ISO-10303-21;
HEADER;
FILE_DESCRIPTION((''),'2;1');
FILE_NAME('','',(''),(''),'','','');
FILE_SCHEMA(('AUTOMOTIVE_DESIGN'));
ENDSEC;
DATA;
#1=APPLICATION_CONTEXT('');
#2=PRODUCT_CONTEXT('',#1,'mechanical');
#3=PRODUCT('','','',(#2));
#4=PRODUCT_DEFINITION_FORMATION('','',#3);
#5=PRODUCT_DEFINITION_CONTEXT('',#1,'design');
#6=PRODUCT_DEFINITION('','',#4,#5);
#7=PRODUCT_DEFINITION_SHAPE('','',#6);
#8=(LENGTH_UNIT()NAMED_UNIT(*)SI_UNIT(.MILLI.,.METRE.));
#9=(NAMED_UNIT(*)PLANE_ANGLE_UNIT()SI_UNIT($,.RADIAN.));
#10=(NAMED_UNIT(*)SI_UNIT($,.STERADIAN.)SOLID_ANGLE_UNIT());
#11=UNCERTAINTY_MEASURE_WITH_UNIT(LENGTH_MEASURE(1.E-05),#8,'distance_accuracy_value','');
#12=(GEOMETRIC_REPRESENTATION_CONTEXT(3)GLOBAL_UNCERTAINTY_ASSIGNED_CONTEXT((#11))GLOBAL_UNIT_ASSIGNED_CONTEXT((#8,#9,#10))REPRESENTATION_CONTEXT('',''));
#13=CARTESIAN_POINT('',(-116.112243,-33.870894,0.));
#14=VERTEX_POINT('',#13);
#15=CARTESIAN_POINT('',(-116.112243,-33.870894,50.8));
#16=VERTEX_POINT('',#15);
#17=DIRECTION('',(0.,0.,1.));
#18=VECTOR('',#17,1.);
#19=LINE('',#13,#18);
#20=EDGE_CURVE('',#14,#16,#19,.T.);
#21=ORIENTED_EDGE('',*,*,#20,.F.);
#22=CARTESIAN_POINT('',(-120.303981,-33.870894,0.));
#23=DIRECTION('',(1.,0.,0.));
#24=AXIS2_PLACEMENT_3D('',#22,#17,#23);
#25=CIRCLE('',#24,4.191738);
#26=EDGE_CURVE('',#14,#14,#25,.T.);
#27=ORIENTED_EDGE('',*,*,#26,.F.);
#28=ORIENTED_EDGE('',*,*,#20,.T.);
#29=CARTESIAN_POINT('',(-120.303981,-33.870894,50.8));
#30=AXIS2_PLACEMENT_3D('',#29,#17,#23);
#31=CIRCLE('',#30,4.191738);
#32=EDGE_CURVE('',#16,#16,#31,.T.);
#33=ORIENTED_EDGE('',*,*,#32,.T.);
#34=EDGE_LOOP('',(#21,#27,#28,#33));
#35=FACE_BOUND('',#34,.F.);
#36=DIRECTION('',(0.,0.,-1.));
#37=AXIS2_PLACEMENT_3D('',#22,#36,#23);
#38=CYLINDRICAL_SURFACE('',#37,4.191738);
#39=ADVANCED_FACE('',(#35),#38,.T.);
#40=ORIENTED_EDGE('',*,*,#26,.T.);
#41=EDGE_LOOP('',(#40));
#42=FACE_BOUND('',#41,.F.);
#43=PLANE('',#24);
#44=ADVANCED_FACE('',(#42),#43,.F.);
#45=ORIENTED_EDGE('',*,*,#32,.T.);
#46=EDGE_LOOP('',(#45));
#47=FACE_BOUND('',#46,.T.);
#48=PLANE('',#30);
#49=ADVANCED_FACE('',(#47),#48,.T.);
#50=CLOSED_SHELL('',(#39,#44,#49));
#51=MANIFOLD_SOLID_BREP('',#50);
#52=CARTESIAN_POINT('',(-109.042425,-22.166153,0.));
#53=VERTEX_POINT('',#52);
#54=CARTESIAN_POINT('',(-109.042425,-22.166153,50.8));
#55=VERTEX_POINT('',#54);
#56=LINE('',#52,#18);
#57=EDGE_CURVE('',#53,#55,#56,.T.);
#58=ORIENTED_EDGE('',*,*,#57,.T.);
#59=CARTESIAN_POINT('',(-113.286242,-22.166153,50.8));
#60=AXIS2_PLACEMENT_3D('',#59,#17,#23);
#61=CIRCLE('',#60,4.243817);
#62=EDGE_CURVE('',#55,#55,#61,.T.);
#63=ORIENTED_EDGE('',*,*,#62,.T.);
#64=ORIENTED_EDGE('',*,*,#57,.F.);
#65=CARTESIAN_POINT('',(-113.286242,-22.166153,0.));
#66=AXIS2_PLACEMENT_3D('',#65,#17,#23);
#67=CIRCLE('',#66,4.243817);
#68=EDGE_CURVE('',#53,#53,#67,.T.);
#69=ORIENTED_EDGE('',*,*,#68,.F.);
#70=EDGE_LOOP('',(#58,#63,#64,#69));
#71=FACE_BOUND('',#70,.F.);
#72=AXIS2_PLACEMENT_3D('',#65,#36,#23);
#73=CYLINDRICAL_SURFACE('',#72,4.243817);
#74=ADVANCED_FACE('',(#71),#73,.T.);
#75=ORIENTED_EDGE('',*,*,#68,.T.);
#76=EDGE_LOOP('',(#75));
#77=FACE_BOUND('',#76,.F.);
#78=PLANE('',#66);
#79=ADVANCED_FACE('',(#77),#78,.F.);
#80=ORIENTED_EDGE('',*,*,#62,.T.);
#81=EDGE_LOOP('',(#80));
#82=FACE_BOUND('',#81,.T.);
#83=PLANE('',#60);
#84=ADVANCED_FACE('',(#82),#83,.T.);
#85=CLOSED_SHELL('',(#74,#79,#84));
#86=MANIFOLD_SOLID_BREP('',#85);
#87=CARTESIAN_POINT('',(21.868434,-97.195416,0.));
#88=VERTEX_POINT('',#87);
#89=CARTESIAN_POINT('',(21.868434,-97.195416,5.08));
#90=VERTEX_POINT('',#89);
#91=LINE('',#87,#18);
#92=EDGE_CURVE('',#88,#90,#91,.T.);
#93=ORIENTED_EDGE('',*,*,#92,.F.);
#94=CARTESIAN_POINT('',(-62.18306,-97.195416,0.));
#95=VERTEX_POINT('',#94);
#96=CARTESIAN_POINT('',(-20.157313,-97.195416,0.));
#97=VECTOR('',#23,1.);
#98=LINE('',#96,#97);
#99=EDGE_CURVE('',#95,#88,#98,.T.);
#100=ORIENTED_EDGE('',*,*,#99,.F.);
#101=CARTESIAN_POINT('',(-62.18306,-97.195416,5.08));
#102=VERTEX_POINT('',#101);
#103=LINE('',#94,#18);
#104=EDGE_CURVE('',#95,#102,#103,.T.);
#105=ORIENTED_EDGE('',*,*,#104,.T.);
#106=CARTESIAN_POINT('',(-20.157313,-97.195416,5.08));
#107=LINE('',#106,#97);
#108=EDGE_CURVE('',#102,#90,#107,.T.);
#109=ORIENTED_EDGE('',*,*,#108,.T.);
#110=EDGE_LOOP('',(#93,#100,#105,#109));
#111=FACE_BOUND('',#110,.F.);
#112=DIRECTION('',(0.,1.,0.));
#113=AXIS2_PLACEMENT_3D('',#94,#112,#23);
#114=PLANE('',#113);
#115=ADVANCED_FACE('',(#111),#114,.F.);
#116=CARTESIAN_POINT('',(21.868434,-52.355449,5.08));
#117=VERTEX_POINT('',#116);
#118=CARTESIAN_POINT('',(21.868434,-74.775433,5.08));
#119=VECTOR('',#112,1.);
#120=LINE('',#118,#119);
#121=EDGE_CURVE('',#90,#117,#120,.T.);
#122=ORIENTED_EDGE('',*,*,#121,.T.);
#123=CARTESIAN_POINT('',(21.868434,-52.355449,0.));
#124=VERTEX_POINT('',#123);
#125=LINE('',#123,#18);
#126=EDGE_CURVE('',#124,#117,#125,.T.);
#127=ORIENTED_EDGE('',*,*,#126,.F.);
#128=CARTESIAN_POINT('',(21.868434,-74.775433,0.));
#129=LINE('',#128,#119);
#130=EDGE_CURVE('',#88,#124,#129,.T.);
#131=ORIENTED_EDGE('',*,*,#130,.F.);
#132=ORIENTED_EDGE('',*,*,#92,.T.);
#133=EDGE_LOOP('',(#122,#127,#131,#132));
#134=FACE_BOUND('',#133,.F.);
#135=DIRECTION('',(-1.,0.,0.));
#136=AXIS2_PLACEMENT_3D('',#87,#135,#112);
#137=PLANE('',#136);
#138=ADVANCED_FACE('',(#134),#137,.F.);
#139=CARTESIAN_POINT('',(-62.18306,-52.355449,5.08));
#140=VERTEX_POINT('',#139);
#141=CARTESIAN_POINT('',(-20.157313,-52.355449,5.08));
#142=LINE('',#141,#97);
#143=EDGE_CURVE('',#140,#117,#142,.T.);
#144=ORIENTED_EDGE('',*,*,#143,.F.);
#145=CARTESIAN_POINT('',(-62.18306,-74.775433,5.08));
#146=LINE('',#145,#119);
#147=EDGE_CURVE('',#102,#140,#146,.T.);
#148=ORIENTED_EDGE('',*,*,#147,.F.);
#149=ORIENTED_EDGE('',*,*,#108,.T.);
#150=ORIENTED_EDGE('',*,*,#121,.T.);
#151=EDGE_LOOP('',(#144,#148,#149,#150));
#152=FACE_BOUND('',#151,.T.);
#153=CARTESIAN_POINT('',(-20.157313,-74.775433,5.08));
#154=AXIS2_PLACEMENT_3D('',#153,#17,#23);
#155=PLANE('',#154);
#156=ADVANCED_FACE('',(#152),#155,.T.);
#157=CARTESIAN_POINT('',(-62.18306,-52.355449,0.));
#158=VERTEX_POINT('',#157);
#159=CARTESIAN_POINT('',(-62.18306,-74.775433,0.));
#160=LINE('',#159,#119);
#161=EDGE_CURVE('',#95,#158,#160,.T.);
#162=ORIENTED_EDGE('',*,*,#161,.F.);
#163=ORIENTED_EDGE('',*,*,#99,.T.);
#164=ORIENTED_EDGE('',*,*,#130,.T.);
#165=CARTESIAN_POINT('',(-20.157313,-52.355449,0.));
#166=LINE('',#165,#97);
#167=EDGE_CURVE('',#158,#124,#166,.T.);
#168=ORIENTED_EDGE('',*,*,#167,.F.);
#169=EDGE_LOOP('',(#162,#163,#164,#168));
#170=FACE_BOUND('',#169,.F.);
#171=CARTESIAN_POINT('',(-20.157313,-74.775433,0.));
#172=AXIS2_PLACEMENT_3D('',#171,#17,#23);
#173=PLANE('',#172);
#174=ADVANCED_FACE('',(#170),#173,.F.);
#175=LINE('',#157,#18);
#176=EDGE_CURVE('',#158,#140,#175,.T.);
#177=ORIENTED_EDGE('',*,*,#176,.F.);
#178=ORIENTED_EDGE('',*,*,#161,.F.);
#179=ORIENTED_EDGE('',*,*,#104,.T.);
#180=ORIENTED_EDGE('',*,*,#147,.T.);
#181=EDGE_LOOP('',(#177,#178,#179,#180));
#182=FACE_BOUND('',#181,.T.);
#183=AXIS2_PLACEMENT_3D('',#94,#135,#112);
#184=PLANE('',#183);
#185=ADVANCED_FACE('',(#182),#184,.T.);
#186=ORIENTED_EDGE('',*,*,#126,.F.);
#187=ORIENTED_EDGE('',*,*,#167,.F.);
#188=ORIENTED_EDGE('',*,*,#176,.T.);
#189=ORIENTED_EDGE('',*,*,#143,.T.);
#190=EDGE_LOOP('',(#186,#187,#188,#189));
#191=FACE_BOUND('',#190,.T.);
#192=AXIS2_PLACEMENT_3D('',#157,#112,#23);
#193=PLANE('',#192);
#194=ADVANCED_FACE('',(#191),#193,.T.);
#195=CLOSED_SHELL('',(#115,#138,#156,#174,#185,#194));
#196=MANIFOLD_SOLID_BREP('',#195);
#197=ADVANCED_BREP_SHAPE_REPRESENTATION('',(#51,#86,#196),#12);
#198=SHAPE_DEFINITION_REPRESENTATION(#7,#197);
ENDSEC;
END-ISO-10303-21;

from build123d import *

# Parameters (mm, degrees)
F0_R     = 4.191738
F1_DEPTH = 50.8
F2_W     = 84.051494
F2_H     = 44.839967
F3_DEPTH = 5.08
F4_R     = 4.243817
F5_DEPTH = 50.8


with BuildPart() as f1:
    # F0 (on Top) → F1 (new body)
    with BuildSketch(Plane.XY):
        with Locations((-120.303981, -33.870894)):
            Circle(F0_R)
    extrude(amount=F1_DEPTH)


with BuildPart() as f3:
    # F2 (on Top) → F3 (new body)
    with BuildSketch(Plane.XY):
        with Locations((-20.157313, -74.775433)):
            Rectangle(F2_W, F2_H)
    extrude(amount=F3_DEPTH)


with BuildPart() as f5:
    # F4 (on Top) → F5 (new body)
    with BuildSketch(Plane.XY):
        with Locations((-113.286242, -22.166153)):
            Circle(F4_R)
    extrude(amount=F5_DEPTH)


solid = Compound([f1.part, f3.part, f5.part])
